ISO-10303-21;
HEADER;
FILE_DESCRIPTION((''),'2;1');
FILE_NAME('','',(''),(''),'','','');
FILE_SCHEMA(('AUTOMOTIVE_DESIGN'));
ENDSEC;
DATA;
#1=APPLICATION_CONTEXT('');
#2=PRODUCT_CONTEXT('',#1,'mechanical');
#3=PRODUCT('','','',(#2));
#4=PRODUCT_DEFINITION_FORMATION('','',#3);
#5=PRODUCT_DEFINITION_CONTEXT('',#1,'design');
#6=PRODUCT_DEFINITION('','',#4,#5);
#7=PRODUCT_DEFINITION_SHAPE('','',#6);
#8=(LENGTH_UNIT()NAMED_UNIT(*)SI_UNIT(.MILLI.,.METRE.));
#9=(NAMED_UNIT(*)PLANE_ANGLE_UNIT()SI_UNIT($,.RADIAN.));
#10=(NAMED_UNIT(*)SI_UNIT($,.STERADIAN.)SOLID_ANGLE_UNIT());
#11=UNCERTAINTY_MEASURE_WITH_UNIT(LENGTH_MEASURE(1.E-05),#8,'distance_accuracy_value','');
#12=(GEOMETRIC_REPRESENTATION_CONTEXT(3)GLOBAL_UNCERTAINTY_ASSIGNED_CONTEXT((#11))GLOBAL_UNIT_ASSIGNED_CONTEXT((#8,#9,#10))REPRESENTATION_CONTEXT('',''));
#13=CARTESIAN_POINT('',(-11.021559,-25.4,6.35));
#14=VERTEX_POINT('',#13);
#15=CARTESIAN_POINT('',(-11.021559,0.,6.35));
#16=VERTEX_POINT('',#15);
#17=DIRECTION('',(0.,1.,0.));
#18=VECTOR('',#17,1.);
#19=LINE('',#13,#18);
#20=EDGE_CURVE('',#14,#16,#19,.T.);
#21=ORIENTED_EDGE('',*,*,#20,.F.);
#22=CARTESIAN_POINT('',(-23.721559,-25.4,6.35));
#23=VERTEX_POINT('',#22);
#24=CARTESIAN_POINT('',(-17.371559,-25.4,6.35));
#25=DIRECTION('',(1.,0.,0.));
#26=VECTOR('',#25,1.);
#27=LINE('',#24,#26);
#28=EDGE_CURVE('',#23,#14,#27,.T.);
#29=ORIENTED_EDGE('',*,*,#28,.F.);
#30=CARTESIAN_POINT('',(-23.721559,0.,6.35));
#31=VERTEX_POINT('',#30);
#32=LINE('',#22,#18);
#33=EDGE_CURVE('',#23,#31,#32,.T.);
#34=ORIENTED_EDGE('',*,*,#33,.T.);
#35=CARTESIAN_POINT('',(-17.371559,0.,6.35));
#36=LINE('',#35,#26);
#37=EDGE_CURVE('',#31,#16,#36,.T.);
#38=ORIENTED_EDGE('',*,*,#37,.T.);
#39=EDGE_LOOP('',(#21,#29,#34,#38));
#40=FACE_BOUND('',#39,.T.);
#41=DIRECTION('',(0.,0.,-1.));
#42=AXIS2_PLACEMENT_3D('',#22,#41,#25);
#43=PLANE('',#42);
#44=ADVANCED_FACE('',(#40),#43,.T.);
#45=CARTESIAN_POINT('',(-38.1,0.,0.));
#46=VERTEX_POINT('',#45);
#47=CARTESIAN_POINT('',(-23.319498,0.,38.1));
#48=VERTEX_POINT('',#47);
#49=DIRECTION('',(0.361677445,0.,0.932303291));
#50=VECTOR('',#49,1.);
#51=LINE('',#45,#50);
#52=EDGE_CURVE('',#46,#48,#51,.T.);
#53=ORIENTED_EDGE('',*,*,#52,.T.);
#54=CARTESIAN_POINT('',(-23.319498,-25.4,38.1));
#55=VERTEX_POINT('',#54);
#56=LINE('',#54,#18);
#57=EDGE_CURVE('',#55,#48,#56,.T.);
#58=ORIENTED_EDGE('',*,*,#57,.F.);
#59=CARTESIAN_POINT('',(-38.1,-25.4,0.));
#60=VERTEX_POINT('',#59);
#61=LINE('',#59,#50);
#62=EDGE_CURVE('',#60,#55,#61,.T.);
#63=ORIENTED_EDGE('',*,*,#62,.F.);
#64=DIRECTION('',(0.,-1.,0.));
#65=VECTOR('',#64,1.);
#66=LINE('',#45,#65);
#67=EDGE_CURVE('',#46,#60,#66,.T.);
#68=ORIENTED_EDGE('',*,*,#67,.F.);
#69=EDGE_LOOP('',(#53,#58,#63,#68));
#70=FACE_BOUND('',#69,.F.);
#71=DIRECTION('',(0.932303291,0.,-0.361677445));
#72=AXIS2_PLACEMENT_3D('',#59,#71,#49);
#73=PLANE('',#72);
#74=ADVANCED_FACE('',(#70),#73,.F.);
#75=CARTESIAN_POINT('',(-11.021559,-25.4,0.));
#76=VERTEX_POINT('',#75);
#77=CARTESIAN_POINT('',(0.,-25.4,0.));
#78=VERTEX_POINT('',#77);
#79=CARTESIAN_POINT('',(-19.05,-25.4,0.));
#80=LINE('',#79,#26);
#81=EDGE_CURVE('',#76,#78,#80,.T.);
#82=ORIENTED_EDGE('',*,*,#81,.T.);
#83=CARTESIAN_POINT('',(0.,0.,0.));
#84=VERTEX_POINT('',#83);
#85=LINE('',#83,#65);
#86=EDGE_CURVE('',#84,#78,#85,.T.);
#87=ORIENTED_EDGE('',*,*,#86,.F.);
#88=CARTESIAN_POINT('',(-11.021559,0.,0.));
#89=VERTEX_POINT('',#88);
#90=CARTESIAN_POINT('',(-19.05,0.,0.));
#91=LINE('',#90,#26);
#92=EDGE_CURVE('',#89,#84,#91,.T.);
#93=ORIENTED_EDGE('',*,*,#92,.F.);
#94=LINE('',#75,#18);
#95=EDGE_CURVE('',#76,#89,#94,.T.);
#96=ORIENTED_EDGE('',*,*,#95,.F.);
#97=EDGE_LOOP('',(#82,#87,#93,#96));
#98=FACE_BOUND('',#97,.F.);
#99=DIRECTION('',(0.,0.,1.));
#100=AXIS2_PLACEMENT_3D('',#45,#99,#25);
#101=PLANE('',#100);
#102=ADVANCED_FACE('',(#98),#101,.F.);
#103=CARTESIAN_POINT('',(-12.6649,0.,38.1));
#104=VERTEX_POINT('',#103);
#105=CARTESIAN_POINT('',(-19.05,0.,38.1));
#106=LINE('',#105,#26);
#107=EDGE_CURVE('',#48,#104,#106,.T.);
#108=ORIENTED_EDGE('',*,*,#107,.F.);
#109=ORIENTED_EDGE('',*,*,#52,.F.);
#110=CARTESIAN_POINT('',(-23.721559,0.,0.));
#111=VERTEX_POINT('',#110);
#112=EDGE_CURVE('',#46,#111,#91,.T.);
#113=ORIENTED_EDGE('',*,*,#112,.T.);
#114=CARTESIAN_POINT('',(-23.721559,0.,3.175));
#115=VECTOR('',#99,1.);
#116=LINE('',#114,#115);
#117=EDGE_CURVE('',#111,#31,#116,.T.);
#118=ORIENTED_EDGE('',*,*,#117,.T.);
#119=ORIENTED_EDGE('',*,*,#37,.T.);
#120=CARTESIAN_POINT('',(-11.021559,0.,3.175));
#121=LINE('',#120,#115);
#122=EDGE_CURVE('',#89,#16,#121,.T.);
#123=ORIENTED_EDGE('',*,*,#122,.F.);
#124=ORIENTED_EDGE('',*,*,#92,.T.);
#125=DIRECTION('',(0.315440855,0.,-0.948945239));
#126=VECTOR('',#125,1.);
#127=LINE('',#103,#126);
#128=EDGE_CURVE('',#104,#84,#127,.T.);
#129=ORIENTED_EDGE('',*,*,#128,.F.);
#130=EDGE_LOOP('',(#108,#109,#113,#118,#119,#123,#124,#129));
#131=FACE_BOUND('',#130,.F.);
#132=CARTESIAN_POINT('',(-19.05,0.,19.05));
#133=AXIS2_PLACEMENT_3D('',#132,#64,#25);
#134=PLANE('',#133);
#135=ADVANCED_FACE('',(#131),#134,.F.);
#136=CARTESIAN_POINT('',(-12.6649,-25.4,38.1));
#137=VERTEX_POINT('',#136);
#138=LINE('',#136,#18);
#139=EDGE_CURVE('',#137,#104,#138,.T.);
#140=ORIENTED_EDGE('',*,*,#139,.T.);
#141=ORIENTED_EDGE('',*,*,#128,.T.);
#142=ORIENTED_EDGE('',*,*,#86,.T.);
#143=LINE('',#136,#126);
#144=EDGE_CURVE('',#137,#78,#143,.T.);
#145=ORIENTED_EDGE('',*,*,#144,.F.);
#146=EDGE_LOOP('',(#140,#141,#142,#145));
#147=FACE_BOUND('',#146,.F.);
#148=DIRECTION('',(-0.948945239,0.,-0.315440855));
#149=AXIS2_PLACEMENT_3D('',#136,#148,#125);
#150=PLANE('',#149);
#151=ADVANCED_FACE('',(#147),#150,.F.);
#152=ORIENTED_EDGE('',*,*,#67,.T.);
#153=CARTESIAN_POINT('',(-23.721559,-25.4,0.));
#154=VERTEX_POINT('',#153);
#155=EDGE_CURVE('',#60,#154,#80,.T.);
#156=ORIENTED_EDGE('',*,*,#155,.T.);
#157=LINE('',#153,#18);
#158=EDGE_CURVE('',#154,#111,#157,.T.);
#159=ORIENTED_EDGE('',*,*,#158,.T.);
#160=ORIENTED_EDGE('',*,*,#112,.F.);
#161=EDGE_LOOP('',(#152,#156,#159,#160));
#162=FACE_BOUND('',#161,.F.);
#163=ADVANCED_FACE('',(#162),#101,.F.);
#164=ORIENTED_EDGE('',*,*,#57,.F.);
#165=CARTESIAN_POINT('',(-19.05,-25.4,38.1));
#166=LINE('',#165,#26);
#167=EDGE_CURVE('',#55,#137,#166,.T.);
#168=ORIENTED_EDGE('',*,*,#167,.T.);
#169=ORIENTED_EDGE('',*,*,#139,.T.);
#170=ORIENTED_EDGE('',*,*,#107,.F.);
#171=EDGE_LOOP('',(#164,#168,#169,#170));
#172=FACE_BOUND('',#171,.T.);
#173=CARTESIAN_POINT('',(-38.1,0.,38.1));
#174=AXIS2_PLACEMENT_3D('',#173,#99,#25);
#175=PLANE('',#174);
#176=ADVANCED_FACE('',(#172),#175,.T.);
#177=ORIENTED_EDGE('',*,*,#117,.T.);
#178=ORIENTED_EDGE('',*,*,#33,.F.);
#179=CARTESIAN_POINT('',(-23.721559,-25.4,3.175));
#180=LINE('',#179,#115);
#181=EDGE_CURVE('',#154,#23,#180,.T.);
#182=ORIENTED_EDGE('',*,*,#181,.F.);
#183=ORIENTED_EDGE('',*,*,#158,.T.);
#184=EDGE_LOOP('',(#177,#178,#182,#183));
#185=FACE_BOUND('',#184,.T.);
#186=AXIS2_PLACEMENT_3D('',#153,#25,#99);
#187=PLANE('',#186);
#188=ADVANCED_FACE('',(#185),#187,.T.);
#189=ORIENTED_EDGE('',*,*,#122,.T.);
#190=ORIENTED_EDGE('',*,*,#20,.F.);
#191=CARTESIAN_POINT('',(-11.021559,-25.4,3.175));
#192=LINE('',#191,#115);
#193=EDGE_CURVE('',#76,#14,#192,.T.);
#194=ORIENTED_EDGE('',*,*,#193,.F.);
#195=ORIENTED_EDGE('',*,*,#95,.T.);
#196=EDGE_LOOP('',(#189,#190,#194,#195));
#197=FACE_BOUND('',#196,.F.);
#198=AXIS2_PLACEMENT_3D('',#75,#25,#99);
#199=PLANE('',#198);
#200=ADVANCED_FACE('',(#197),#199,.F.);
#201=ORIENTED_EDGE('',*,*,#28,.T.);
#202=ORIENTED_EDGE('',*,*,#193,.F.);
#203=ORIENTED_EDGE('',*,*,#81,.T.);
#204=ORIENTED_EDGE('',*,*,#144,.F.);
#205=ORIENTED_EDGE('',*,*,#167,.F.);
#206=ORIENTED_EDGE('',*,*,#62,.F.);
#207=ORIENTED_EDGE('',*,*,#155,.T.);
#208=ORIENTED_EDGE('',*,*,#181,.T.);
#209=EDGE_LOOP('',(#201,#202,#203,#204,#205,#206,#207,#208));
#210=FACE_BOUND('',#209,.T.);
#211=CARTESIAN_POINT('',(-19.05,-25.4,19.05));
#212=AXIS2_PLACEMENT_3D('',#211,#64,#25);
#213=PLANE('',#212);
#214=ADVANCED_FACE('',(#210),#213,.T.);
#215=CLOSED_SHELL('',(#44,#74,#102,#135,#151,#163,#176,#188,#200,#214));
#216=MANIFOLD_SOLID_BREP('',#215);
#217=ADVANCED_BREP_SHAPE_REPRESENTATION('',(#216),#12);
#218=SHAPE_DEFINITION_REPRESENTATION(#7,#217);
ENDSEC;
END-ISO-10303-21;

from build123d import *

# Parameters (mm, degrees)
F0_W     = 38.1
F0_H     = 38.1
F1_DEPTH = 25.4
F3_DEPTH = 25.4
F4_W     = 12.7
F4_H     = 6.35
F5_DEPTH = 25.4


with BuildPart() as f1:
    # F0 (on Front) → F1 (new body)
    with BuildSketch(Plane.XZ):
        with Locations((-19.05, 19.05)):
            Rectangle(F0_W, F0_H)
    extrude(amount=F1_DEPTH)

    # F2 (on face) → F3 (cut)
    with BuildSketch(Plane.XZ.offset(25.4)):
        Polygon((-38.1, 38.1), (-38.1, 0), (-23.319498, 38.1), align=None)
        Polygon((-12.6649, 38.1), (0, 0), (0, 38.1), align=None)
    extrude(amount=-F3_DEPTH, mode=Mode.SUBTRACT)

    # F4 (on face) → F5 (cut)
    with BuildSketch(Plane.XZ.offset(25.4)):
        with Locations((-17.371559, 3.175)):
            Rectangle(F4_W, F4_H)
    extrude(amount=-F5_DEPTH, mode=Mode.SUBTRACT)


solid = f1.part
